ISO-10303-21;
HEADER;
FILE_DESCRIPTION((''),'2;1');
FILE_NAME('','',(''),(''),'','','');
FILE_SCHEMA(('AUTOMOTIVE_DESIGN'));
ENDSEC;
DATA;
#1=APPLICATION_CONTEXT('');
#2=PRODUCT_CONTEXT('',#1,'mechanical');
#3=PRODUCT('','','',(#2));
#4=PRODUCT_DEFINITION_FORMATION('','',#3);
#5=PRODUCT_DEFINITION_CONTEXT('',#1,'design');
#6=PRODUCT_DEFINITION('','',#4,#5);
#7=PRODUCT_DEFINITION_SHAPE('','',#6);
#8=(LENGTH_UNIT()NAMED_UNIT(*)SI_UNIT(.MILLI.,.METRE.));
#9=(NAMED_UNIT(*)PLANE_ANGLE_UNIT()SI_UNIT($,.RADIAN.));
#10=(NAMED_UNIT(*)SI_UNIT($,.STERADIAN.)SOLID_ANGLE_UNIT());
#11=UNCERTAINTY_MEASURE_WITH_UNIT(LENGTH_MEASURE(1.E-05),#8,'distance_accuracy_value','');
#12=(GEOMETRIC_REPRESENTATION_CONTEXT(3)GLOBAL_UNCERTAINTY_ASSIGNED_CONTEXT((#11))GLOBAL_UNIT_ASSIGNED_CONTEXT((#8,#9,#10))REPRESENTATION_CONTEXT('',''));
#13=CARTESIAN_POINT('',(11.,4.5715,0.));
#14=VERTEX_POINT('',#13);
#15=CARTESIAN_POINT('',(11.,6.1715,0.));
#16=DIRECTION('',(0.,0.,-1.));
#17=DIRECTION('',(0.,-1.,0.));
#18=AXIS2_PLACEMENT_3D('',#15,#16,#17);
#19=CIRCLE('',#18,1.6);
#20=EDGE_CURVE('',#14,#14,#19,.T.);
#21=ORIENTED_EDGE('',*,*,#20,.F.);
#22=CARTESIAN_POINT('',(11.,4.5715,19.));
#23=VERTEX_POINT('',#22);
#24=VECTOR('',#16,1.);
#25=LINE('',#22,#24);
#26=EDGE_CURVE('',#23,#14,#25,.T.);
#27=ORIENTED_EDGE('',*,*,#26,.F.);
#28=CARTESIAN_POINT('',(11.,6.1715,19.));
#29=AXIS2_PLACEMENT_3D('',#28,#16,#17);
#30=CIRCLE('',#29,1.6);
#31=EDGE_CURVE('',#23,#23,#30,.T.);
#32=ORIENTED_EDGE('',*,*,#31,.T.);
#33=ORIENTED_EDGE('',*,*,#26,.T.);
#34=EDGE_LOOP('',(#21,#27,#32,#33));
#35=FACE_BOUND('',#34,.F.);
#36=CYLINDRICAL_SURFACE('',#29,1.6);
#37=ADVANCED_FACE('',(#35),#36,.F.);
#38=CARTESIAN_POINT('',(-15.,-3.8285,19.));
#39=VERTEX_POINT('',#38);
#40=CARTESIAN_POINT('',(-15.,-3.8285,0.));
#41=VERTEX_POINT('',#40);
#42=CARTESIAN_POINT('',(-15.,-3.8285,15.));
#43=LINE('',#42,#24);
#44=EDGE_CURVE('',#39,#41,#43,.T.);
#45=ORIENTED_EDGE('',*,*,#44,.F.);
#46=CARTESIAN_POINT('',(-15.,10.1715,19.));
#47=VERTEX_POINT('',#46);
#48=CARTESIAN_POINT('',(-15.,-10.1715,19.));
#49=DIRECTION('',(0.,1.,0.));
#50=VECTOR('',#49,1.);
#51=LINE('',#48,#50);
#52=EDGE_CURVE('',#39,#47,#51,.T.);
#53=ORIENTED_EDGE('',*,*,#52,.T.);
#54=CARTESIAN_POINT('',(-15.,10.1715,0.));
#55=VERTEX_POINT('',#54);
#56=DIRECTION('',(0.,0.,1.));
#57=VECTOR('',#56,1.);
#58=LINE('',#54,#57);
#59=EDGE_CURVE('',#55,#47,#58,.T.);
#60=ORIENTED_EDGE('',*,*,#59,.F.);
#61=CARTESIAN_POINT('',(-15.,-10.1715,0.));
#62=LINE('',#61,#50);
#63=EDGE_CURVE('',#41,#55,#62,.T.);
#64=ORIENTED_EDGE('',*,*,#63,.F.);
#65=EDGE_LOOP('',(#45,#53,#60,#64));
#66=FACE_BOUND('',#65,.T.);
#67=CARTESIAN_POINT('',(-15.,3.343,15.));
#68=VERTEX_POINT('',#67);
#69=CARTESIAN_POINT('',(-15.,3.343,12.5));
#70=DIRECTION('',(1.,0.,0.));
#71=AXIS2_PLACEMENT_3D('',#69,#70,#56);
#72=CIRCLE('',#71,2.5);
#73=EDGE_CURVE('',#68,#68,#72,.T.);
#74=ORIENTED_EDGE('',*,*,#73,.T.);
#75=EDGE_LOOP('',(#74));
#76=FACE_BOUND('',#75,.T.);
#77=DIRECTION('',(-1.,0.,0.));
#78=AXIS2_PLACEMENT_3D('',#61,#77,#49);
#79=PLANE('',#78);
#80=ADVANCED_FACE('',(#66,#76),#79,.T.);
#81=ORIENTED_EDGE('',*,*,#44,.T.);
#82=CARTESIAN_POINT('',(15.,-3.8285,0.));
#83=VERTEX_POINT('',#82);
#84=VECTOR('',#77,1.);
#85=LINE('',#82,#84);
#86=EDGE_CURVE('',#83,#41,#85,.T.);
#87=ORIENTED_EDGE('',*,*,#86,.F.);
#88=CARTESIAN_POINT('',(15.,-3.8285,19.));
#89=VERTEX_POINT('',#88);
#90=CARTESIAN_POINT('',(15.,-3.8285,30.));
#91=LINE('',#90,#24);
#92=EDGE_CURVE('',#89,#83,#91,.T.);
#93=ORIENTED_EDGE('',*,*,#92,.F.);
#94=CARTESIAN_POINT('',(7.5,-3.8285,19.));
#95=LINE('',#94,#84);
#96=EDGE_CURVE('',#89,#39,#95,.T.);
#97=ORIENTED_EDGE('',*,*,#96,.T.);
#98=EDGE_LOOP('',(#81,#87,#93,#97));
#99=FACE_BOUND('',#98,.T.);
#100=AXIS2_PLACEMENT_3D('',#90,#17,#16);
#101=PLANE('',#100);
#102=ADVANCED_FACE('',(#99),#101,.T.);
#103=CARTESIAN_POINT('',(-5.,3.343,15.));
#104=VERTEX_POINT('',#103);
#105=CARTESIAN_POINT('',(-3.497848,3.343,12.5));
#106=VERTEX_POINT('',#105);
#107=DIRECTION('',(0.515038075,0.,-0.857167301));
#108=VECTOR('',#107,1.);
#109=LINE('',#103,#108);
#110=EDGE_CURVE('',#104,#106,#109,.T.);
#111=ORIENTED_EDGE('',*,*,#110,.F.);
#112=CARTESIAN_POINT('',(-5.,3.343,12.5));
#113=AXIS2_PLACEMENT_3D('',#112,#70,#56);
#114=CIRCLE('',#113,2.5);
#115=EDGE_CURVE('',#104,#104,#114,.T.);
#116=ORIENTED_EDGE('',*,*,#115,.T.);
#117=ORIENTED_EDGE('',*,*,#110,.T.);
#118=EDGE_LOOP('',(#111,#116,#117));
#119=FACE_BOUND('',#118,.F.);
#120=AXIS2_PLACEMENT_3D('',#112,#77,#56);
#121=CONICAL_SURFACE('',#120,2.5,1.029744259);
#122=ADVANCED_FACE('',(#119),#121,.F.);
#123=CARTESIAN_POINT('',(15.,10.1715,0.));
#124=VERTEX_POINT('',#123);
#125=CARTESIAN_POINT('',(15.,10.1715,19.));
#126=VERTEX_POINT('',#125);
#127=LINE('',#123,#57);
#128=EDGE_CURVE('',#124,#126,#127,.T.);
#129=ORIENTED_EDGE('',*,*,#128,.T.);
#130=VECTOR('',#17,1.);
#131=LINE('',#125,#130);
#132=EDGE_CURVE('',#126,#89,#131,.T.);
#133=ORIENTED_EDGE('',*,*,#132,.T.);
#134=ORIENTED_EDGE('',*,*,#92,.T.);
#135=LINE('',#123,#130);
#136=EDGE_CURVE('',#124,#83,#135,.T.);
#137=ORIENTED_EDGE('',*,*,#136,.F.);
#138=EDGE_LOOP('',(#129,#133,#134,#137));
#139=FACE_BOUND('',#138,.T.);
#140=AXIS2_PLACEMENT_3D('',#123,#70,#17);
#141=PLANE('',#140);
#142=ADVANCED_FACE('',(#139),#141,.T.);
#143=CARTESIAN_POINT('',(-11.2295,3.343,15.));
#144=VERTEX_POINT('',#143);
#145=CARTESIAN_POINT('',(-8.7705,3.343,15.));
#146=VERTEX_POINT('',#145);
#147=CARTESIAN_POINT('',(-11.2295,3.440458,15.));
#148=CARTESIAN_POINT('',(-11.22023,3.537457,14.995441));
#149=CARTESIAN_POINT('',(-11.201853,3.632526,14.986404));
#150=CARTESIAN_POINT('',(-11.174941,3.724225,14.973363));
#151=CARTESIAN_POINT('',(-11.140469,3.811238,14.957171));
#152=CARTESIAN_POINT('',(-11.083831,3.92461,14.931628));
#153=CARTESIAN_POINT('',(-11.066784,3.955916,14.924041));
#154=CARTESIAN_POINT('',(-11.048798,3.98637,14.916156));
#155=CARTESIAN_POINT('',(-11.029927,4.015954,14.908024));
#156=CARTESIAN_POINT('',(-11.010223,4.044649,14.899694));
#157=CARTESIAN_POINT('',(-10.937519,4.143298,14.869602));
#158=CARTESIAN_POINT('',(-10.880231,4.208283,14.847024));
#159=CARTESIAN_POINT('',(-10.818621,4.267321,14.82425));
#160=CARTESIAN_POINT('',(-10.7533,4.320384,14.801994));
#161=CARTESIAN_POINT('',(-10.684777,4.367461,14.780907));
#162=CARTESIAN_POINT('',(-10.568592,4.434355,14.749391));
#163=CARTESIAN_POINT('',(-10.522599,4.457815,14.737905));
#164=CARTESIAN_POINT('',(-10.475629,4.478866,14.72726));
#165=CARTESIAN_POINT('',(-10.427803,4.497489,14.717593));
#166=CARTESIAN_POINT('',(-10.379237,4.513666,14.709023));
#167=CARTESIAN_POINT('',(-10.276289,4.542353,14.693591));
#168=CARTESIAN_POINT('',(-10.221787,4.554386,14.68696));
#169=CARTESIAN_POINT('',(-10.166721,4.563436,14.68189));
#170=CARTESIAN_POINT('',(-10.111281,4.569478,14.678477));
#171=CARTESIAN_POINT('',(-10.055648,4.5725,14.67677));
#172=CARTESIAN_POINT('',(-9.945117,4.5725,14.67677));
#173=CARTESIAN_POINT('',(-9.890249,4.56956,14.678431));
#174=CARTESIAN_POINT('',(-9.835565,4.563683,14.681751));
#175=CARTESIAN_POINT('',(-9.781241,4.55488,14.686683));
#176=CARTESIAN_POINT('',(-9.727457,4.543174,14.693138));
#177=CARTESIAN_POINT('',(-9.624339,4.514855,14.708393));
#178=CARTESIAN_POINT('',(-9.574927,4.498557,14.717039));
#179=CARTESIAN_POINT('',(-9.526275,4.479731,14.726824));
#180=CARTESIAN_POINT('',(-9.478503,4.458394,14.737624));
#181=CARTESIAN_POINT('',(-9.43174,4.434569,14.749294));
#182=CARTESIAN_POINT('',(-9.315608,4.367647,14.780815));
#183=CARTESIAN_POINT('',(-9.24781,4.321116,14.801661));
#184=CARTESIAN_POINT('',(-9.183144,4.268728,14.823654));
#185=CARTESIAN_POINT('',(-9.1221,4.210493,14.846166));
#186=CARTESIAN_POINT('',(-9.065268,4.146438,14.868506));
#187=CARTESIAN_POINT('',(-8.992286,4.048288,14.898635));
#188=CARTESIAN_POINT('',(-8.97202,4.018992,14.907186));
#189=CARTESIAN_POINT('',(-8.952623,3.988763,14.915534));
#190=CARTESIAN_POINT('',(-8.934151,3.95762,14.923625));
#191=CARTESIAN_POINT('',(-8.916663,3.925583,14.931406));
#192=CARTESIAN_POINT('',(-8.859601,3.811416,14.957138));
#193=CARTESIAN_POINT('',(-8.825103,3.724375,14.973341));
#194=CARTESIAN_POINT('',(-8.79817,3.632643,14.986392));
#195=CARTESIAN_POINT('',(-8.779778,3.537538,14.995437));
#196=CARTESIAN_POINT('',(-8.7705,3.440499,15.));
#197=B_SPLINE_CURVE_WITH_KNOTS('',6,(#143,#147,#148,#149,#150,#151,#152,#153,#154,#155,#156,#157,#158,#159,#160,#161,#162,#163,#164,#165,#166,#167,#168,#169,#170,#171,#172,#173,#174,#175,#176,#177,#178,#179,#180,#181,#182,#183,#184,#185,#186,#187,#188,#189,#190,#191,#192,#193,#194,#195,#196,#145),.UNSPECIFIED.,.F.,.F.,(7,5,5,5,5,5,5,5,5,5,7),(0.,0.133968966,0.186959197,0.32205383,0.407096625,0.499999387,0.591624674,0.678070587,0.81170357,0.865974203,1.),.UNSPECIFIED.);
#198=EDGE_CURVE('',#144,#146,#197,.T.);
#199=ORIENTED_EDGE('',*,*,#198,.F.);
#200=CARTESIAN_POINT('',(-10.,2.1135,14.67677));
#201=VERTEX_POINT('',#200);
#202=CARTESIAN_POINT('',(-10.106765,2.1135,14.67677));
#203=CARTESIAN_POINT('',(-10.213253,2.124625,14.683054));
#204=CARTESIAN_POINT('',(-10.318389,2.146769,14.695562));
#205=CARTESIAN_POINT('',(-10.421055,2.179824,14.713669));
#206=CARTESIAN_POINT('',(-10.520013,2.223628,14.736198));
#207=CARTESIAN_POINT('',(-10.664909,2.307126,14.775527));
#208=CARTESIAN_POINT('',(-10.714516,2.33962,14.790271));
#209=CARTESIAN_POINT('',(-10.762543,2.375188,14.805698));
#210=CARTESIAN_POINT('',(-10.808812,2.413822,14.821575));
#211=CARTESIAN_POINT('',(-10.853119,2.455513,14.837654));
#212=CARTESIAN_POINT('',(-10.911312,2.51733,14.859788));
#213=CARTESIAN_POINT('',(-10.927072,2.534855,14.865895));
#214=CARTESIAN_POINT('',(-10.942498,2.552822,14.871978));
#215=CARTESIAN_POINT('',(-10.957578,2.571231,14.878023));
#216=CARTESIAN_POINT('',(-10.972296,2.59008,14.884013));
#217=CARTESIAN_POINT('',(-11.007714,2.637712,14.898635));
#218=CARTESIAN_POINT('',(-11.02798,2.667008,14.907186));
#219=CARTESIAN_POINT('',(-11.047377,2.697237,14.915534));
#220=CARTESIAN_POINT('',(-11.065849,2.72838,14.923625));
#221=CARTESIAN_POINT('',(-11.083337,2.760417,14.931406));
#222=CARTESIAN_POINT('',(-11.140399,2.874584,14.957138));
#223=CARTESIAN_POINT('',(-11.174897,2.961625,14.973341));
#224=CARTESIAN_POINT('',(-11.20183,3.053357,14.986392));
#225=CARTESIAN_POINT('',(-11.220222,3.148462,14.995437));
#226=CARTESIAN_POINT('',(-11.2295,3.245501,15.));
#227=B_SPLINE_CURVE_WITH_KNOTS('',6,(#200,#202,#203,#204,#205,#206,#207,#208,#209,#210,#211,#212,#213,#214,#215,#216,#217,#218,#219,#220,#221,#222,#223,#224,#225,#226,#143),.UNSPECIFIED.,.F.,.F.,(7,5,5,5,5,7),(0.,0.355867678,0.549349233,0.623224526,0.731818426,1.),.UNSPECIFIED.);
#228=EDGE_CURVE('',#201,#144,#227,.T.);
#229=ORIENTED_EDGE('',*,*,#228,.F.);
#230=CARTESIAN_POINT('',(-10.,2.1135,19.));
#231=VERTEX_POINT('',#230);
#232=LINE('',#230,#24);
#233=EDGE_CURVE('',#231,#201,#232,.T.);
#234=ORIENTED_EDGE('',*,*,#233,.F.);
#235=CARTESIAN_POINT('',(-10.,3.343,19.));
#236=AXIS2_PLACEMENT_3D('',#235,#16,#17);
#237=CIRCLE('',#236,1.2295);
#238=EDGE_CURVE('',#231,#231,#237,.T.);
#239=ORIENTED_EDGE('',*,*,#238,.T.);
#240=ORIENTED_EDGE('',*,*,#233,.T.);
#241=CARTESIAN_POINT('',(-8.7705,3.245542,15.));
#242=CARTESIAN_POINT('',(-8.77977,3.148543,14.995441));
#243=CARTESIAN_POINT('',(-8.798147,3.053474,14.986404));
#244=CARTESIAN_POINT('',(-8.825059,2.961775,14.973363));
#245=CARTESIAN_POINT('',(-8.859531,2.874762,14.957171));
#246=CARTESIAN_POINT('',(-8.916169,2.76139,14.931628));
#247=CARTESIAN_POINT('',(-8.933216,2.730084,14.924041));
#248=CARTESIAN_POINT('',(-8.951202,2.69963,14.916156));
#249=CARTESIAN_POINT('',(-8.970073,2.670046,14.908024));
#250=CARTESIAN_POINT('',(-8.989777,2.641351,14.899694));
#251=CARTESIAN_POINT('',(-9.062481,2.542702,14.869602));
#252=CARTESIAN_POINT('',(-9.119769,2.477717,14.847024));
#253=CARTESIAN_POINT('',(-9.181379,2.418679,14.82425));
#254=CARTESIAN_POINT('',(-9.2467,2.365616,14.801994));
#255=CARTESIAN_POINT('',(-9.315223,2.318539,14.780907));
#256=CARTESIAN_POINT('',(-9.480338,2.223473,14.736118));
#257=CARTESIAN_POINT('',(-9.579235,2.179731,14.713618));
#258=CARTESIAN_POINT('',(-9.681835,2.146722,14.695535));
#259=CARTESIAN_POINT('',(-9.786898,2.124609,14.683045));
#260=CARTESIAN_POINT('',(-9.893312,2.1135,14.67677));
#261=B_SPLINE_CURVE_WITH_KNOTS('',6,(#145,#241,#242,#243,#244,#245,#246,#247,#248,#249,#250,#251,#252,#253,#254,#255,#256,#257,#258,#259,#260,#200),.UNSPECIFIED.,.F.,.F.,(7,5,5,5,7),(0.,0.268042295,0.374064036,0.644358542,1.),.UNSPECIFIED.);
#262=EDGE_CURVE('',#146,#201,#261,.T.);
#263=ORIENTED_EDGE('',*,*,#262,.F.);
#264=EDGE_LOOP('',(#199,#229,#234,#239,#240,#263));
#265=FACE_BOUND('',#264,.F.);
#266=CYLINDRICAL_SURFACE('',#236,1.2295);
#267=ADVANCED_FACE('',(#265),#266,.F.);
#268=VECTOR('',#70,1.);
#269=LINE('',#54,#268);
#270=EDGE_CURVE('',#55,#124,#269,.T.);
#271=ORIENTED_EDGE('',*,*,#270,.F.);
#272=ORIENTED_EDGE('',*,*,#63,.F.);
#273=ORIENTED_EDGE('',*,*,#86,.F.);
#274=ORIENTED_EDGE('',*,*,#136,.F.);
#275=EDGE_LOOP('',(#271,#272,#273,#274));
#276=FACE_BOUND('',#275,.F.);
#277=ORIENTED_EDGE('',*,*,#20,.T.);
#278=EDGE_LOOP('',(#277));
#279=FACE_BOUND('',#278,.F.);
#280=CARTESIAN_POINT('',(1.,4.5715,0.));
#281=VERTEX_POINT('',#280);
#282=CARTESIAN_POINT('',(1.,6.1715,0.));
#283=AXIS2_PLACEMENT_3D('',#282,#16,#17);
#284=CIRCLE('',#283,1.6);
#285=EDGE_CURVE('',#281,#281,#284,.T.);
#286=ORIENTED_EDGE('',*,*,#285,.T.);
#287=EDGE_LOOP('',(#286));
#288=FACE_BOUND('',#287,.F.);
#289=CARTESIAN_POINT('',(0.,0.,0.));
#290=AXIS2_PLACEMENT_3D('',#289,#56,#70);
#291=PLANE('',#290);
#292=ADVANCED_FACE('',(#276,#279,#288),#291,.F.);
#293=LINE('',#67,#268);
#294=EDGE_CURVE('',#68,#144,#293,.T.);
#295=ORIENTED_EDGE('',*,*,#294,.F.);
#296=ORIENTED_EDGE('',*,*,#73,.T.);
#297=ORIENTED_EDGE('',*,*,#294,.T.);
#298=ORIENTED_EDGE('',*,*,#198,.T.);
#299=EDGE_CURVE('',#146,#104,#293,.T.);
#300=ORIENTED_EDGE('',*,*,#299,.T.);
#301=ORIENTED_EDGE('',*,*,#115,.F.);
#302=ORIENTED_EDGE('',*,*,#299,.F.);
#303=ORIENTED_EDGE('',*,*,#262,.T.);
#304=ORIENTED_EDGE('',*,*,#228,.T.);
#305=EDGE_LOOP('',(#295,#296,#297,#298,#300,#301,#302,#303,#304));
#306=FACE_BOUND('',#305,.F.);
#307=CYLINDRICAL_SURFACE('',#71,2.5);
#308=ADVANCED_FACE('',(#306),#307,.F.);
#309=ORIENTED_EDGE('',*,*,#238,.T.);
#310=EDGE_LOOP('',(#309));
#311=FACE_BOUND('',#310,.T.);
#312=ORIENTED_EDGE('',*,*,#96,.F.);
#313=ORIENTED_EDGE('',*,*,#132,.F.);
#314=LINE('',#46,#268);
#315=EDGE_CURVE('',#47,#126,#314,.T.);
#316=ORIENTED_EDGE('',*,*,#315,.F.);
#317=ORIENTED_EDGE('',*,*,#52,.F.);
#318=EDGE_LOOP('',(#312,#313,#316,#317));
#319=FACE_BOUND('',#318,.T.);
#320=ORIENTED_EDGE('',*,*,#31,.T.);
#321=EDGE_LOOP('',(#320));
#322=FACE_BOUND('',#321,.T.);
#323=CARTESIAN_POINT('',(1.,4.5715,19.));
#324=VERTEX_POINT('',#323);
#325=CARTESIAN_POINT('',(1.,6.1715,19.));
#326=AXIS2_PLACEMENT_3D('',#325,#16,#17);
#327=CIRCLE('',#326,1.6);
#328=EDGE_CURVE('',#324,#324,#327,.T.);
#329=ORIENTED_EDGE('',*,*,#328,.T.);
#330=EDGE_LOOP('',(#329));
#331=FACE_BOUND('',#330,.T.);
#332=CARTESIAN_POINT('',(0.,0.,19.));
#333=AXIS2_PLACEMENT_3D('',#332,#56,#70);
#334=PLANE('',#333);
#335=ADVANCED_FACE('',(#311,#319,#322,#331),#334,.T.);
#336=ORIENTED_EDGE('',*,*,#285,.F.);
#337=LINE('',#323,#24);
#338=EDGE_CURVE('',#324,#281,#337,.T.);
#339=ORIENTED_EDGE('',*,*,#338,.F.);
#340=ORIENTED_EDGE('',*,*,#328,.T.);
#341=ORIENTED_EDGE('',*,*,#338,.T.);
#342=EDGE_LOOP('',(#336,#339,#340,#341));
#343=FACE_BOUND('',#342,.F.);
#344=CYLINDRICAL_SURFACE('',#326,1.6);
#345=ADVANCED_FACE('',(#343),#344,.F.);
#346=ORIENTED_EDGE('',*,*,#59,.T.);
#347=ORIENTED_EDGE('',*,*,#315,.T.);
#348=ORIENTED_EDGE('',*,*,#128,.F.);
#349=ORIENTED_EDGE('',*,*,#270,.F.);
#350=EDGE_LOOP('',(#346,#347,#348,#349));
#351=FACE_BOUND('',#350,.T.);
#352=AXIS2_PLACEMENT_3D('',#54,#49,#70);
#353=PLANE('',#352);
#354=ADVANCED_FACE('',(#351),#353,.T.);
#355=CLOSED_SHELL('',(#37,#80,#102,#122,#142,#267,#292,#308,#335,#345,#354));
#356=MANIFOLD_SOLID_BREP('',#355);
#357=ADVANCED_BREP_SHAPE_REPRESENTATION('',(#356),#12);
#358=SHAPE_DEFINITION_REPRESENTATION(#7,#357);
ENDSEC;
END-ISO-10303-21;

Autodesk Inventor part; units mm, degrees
ref_plane "YZ Plane" through (0, 0, 0) normal (1, 0, 0) x (0, 1, 0)
ref_plane "XZ Plane" through (0, 0, 0) normal (0, 1, 0) x (-1, 0, 0)
ref_plane "XY Plane" through (0, 0, 0) normal (0, 0, 1) x (1, 0, 0)
sketch "Sketch1" plane through (0, 0, 0) normal (0, 0, 1) x (1, 0, 0)
  line L0 (-15, 10.1715) -> (15, 10.1715)
  line L1 (15, 10.1715) -> (15, -10.1715)
  line L2 (15, -10.1715) -> (-15, -10.1715)
  line L3 (-15, -10.1715) -> (-15, 10.1715)
  line L4 (0, 0) -> (0, 4.8999) construction
  line L5 (0, 0) -> (4.2328, 0) construction
  dimension "d2" = 20.343
  dimension "d3" = 30
extrude "Extrusion1" add sketch "Sketch1" along normal blind 19
sketch "Sketch2" plane through (15, -10.1715, 0) normal (1, 0, 0) x (0, 0, -1)
  line L0 (0, 0) -> (-19, 0) projected
  line L1 (0, 0) -> (-30, 0)
  line L2 (-30, 0) -> (-30, 6.343)
  line L3 (-30, 6.343) -> (0, 6.343)
  line L4 (0, 6.343) -> (0, 0)
  point P0 (0, 10.1715)
  dimension "d4" = 30
  dimension "d5" = 6.343
extrude "Extrusion2" cut sketch "Sketch2" against normal up to next
sketch "Sketch3" plane through (0, 0, 19) normal (0, 0, 1) x (1, 0, 0)
  line L0 (15, 10.1715) -> (-15, 10.1715) projected
  line L1 (-15, 10.1715) -> (-15, -10.1715) projected
  line L2 (15, -10.1715) -> (15, 10.1715) projected
  point P0 (0, 0)
  point P1 (1, 6.1715)
  point P2 (11, 6.1715)
  dimension "d8" = 4
  dimension "d9" = 4
  dimension "d17" = 16
  dimension "d18" = 4
hole "Hole1" at (1, 6.1715, 19) at (11, 6.1715, 19) direction (0, 0, -1) diameter 3.2 end through all
sketch "Sketch4" plane through (-15, -10.1715, 19) normal (-1, 0, 0) x (0, 0, 1)
  circle A0 centre (-6.5, 13.5145) radius 2.5 projected
  point P0 (-19, 10.1715)
hole "Hole2" at (-15, 3.343, 12.5) direction (1, 0, 0) diameter 5 depth 10 tip angle 118
sketch "Sketch6" plane through (0, 0, 19) normal (0, 0, 1) x (1, 0, 0)
  line L0 (-15, 0.843) -> (-15, 5.843) projected
  point P0 (0, 0)
  point P1 (-10, 3.343)
  point P2 (-15, 3.343)
  dimension "d26" = 5
hole "Hole3" at (-10, 3.343, 19) direction (0, 0, -1) diameter 2.459 depth 6.05 tip angle 118 thread size "M3x0.5" class "6H" standard "ISO Metric profile"
properties part number "3d_LM-Welding_Tooling -  Moving Block" material "Aluminium 6061-T6"
